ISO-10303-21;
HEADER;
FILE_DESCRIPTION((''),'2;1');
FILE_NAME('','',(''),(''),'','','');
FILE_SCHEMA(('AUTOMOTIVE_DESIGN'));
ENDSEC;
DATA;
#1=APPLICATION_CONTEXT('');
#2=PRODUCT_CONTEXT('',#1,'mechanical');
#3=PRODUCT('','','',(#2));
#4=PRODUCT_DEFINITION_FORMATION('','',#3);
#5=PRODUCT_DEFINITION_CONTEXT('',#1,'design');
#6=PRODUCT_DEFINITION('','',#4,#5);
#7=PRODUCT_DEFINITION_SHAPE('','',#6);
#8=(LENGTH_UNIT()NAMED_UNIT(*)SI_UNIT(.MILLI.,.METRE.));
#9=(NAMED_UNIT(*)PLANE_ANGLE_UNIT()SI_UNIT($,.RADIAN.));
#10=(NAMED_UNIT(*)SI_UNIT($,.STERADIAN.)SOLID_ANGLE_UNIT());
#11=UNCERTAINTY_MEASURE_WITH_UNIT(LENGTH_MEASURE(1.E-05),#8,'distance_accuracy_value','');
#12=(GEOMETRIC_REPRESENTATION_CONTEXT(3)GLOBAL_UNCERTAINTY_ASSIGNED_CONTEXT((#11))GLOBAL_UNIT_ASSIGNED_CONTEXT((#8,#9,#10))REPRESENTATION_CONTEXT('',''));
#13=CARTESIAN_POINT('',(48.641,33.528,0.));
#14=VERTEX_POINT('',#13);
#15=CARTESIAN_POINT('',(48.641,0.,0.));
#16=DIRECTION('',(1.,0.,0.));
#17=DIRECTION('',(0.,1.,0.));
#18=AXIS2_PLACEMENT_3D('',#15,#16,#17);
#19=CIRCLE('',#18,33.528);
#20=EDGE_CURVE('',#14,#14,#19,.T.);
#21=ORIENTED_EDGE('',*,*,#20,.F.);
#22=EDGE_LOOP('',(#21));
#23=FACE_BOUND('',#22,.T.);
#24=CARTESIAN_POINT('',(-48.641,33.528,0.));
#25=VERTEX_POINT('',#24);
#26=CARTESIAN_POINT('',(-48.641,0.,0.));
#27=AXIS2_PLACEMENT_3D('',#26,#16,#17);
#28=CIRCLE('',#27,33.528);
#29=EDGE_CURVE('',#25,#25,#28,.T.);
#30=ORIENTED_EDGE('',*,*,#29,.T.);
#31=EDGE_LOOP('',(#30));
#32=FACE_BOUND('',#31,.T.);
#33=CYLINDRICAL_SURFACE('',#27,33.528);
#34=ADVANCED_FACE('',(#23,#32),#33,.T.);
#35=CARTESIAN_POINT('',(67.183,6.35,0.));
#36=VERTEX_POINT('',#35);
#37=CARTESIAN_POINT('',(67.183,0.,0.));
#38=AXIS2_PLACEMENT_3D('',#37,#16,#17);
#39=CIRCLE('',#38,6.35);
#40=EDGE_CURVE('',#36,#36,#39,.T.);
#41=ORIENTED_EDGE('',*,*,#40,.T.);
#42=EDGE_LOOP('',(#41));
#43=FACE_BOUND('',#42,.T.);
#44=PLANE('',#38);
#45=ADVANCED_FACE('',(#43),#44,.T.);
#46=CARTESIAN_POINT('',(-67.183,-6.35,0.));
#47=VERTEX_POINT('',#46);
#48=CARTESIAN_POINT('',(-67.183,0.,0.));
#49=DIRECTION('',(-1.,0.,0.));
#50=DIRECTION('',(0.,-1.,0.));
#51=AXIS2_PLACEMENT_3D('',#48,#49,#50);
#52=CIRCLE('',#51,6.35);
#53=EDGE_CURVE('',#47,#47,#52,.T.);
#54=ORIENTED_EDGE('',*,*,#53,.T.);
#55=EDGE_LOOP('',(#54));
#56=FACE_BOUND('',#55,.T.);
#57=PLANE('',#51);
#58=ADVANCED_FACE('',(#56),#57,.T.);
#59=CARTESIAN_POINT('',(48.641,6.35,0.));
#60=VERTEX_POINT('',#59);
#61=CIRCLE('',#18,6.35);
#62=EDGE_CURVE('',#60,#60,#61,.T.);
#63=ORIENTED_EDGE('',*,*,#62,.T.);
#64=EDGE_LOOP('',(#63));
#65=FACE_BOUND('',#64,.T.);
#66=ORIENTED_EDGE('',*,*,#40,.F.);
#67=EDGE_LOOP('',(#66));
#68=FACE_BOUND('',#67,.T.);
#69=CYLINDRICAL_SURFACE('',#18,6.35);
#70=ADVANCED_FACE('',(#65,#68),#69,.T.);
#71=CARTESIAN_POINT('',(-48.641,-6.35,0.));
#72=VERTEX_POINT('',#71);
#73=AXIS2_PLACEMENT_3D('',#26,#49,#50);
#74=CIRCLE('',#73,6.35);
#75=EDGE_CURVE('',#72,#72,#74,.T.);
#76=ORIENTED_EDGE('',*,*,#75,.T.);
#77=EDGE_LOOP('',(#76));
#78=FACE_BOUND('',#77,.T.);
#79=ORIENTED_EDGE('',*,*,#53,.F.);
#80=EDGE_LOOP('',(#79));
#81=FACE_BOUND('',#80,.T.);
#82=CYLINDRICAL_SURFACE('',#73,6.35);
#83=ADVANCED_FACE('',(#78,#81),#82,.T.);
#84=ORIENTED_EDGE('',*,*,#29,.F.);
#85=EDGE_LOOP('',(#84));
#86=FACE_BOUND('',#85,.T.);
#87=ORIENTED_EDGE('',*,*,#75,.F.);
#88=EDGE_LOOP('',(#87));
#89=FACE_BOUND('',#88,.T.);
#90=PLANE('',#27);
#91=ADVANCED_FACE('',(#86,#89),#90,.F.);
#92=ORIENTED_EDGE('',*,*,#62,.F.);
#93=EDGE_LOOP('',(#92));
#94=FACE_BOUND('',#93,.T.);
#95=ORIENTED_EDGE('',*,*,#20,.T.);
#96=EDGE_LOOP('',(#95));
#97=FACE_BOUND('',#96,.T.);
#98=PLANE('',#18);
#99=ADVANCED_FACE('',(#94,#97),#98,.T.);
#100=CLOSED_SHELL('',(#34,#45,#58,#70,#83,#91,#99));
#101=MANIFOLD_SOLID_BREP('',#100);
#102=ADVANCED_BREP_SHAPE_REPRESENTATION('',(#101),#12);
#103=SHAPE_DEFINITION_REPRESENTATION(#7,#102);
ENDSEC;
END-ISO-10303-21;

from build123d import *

# Parameters (mm, degrees)
SWEEP1_PROFILE_R = 33.528
SWEEP2_PROFILE_R = 6.35
SWEEP3_PROFILE_R = 6.35


with BuildPart() as part:
    # Sweep1: sweep along a path in Sketch1
    with BuildLine(Plane.XY) as sweep1_path:
        Line((-48.641, 0), (48.641, 0))
    # Sweep1 profile (on start of the path) → Sweep1 (sweep)
    with BuildSketch(Plane.YZ.offset(-48.641)):
        Circle(SWEEP1_PROFILE_R)
    sweep(path=sweep1_path.line)

    # Sweep2: sweep along a path in Sketch11
    with BuildLine(Plane.XY) as sweep2_path:
        Line((48.641, 0), (67.183, 0))
    # Sweep2 profile (on start of the path) → Sweep2 (sweep)
    with BuildSketch(Plane.YZ.offset(48.641)):
        Circle(SWEEP2_PROFILE_R)
    sweep(path=sweep2_path.line)

    # Sweep3: sweep along a path in Sketch30
    with BuildLine(Plane.XY) as sweep3_path:
        Line((-48.641, 0), (-67.183, 0))
    # Sweep3 profile (on start of the path) → Sweep3 (sweep)
    with BuildSketch(Plane(origin=(-48.641, 0, 0), x_dir=(0, -1, 0), z_dir=(-1, 0, 0))):
        Circle(SWEEP3_PROFILE_R)
    sweep(path=sweep3_path.line)


solid = part.part
